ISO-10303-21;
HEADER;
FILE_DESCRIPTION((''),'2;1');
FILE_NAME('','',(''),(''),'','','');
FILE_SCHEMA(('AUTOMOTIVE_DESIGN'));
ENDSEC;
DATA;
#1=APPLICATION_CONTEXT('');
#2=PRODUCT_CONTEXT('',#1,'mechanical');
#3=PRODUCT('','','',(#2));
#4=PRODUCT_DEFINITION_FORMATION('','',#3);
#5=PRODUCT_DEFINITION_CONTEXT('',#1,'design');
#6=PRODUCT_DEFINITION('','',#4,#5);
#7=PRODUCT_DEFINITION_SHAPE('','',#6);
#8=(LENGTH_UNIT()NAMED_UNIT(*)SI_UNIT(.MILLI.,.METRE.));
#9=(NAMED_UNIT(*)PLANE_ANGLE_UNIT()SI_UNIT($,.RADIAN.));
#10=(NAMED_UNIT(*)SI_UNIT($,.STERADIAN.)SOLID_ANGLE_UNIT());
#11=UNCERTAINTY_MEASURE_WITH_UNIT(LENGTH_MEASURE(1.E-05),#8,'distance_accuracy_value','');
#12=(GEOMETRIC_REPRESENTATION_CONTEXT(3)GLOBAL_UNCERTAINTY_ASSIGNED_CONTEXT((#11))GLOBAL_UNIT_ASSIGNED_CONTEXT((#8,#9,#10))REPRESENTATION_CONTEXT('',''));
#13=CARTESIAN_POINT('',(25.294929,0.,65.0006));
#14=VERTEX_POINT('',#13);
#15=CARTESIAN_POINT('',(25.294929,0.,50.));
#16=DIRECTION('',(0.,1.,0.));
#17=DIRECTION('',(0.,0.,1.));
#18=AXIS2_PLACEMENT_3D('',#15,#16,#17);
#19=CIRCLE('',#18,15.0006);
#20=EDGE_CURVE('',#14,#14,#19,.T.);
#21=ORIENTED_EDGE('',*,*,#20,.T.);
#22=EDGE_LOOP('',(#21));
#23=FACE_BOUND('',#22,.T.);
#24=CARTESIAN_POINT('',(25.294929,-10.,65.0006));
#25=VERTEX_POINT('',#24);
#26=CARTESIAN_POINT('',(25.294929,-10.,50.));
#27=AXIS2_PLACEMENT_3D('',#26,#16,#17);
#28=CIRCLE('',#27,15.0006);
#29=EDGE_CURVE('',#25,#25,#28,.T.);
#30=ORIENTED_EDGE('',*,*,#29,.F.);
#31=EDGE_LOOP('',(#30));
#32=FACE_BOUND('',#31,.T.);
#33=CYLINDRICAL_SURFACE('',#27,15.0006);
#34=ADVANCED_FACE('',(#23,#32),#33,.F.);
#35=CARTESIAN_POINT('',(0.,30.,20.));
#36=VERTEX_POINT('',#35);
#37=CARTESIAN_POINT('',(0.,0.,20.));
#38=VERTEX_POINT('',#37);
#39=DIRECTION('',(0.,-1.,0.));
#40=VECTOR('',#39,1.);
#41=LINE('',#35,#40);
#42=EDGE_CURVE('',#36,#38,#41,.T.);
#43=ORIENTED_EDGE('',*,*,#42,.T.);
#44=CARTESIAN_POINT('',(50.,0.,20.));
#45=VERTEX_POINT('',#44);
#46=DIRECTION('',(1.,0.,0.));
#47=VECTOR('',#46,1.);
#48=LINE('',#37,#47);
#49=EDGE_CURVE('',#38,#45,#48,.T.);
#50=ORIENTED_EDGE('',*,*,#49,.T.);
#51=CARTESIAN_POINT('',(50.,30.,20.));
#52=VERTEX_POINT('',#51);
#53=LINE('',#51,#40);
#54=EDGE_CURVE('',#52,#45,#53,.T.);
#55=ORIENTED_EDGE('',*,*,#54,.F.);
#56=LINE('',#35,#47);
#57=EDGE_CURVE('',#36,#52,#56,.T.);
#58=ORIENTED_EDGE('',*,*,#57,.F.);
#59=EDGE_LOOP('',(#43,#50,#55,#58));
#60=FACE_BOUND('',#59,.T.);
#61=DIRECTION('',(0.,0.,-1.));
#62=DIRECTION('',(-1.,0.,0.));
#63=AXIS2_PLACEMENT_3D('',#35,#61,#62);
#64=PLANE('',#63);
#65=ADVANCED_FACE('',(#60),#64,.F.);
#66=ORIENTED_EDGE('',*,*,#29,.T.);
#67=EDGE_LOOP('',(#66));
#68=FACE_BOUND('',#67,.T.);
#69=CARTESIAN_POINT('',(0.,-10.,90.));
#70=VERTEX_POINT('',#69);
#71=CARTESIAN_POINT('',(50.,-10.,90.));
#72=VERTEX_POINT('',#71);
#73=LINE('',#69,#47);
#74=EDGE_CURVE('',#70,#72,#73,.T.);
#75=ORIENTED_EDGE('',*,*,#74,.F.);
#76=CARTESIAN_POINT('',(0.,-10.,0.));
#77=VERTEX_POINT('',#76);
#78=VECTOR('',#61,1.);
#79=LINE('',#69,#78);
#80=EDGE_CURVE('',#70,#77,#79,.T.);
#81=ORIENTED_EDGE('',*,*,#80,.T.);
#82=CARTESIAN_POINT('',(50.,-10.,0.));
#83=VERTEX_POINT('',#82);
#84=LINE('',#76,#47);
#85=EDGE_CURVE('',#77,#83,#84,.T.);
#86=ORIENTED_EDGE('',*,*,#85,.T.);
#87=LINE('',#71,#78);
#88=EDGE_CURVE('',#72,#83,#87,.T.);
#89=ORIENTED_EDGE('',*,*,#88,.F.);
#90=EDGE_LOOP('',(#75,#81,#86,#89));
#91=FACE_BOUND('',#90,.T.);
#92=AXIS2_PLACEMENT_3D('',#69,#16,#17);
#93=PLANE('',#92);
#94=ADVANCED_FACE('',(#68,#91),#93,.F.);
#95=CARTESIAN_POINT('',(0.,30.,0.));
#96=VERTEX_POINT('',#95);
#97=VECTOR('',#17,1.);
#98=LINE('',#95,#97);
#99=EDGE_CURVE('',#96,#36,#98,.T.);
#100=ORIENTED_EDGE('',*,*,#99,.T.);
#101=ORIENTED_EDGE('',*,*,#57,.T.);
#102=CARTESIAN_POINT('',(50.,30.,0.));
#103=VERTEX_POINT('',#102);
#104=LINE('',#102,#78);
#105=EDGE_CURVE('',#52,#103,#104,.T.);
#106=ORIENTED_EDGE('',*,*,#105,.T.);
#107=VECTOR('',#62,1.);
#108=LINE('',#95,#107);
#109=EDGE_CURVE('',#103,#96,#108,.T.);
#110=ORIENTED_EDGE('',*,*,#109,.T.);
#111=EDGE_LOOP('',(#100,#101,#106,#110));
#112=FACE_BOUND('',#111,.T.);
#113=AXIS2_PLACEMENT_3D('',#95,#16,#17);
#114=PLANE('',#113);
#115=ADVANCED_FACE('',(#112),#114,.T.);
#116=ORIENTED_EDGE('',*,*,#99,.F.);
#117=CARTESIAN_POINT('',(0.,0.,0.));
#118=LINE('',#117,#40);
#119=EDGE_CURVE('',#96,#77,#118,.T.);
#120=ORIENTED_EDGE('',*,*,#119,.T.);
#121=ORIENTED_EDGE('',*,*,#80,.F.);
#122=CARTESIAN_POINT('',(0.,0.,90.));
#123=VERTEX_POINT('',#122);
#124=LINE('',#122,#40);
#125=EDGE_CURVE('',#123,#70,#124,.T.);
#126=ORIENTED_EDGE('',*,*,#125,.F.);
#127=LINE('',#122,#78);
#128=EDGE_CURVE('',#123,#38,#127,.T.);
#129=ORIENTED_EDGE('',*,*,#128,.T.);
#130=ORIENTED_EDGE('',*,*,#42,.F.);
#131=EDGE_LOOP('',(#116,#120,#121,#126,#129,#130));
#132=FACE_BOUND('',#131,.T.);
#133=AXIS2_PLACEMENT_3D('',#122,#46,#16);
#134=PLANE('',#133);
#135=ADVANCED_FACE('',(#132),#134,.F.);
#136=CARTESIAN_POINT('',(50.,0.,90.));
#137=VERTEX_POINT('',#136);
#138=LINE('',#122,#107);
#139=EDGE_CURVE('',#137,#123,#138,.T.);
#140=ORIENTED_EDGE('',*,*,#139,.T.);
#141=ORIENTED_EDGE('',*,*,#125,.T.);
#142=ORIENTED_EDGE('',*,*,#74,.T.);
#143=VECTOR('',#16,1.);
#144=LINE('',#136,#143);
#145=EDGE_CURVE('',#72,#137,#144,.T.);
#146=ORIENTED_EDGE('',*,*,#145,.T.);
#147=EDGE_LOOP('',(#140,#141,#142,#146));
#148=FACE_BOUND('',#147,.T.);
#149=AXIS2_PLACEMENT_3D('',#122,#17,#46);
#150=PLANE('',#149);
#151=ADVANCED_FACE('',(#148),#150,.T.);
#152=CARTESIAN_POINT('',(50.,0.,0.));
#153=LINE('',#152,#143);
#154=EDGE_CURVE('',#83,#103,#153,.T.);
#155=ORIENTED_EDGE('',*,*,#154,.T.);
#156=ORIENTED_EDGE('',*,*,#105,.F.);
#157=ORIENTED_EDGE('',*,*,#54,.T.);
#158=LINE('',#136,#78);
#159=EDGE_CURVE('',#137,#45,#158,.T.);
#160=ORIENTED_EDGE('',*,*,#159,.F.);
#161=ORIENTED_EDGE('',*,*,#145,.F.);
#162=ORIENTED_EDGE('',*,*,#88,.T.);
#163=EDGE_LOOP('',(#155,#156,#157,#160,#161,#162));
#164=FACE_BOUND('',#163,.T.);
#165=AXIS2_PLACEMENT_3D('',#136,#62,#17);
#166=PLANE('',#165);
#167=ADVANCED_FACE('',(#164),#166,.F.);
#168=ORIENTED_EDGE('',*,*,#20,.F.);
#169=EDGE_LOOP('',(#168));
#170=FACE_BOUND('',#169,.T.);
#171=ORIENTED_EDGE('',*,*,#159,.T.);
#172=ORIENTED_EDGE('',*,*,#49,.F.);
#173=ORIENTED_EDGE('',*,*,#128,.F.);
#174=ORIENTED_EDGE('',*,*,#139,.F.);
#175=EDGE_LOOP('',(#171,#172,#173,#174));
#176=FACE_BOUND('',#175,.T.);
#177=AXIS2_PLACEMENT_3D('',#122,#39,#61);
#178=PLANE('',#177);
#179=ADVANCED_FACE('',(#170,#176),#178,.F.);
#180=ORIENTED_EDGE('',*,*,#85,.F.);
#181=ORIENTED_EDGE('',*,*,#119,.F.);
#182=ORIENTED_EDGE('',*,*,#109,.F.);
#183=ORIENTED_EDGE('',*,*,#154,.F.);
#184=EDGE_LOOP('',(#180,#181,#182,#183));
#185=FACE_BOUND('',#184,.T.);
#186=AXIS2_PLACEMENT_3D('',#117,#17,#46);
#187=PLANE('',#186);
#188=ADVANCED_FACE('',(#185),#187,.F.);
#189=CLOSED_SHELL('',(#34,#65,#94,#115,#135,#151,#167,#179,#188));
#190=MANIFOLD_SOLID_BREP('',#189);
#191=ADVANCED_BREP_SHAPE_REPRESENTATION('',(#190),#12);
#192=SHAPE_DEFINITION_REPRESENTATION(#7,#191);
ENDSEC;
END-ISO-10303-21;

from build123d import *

# Parameters (mm, degrees)
SKETCH1_W           = 50
SKETCH1_H           = 10
BOSS_EXTRUDE1_DEPTH = 90
SKETCH2_W           = 50
SKETCH2_H           = 20
BOSS_EXTRUDE2_DEPTH = 30
SKETCH3_R           = 15.0006
CUT_EXTRUDE1_DEPTH  = 108.238052948


with BuildPart() as part:
    # Sketch1 → Boss-Extrude1 (new body)
    with BuildSketch(Plane.XY):
        with Locations((25, -5)):
            Rectangle(SKETCH1_W, SKETCH1_H)
    extrude(amount=BOSS_EXTRUDE1_DEPTH)

    # Sketch2 → Boss-Extrude2 (add)
    with BuildSketch(Plane(origin=(0, 0, 0), x_dir=(1, 0, 0), z_dir=(0, 1, 0))):
        with Locations((25, -10)):
            Rectangle(SKETCH2_W, SKETCH2_H)
    extrude(amount=BOSS_EXTRUDE2_DEPTH)

    # Sketch3 → Cut-Extrude1 (cut, through all)
    with BuildSketch(Plane(origin=(0, 0, 0), x_dir=(1, 0, 0), z_dir=(0, 1, 0))):
        with Locations(Location((25.294928994, -50, 0), (0, 0, 270))):
            Circle(SKETCH3_R)
    extrude(amount=-CUT_EXTRUDE1_DEPTH, mode=Mode.SUBTRACT)


solid = part.part
